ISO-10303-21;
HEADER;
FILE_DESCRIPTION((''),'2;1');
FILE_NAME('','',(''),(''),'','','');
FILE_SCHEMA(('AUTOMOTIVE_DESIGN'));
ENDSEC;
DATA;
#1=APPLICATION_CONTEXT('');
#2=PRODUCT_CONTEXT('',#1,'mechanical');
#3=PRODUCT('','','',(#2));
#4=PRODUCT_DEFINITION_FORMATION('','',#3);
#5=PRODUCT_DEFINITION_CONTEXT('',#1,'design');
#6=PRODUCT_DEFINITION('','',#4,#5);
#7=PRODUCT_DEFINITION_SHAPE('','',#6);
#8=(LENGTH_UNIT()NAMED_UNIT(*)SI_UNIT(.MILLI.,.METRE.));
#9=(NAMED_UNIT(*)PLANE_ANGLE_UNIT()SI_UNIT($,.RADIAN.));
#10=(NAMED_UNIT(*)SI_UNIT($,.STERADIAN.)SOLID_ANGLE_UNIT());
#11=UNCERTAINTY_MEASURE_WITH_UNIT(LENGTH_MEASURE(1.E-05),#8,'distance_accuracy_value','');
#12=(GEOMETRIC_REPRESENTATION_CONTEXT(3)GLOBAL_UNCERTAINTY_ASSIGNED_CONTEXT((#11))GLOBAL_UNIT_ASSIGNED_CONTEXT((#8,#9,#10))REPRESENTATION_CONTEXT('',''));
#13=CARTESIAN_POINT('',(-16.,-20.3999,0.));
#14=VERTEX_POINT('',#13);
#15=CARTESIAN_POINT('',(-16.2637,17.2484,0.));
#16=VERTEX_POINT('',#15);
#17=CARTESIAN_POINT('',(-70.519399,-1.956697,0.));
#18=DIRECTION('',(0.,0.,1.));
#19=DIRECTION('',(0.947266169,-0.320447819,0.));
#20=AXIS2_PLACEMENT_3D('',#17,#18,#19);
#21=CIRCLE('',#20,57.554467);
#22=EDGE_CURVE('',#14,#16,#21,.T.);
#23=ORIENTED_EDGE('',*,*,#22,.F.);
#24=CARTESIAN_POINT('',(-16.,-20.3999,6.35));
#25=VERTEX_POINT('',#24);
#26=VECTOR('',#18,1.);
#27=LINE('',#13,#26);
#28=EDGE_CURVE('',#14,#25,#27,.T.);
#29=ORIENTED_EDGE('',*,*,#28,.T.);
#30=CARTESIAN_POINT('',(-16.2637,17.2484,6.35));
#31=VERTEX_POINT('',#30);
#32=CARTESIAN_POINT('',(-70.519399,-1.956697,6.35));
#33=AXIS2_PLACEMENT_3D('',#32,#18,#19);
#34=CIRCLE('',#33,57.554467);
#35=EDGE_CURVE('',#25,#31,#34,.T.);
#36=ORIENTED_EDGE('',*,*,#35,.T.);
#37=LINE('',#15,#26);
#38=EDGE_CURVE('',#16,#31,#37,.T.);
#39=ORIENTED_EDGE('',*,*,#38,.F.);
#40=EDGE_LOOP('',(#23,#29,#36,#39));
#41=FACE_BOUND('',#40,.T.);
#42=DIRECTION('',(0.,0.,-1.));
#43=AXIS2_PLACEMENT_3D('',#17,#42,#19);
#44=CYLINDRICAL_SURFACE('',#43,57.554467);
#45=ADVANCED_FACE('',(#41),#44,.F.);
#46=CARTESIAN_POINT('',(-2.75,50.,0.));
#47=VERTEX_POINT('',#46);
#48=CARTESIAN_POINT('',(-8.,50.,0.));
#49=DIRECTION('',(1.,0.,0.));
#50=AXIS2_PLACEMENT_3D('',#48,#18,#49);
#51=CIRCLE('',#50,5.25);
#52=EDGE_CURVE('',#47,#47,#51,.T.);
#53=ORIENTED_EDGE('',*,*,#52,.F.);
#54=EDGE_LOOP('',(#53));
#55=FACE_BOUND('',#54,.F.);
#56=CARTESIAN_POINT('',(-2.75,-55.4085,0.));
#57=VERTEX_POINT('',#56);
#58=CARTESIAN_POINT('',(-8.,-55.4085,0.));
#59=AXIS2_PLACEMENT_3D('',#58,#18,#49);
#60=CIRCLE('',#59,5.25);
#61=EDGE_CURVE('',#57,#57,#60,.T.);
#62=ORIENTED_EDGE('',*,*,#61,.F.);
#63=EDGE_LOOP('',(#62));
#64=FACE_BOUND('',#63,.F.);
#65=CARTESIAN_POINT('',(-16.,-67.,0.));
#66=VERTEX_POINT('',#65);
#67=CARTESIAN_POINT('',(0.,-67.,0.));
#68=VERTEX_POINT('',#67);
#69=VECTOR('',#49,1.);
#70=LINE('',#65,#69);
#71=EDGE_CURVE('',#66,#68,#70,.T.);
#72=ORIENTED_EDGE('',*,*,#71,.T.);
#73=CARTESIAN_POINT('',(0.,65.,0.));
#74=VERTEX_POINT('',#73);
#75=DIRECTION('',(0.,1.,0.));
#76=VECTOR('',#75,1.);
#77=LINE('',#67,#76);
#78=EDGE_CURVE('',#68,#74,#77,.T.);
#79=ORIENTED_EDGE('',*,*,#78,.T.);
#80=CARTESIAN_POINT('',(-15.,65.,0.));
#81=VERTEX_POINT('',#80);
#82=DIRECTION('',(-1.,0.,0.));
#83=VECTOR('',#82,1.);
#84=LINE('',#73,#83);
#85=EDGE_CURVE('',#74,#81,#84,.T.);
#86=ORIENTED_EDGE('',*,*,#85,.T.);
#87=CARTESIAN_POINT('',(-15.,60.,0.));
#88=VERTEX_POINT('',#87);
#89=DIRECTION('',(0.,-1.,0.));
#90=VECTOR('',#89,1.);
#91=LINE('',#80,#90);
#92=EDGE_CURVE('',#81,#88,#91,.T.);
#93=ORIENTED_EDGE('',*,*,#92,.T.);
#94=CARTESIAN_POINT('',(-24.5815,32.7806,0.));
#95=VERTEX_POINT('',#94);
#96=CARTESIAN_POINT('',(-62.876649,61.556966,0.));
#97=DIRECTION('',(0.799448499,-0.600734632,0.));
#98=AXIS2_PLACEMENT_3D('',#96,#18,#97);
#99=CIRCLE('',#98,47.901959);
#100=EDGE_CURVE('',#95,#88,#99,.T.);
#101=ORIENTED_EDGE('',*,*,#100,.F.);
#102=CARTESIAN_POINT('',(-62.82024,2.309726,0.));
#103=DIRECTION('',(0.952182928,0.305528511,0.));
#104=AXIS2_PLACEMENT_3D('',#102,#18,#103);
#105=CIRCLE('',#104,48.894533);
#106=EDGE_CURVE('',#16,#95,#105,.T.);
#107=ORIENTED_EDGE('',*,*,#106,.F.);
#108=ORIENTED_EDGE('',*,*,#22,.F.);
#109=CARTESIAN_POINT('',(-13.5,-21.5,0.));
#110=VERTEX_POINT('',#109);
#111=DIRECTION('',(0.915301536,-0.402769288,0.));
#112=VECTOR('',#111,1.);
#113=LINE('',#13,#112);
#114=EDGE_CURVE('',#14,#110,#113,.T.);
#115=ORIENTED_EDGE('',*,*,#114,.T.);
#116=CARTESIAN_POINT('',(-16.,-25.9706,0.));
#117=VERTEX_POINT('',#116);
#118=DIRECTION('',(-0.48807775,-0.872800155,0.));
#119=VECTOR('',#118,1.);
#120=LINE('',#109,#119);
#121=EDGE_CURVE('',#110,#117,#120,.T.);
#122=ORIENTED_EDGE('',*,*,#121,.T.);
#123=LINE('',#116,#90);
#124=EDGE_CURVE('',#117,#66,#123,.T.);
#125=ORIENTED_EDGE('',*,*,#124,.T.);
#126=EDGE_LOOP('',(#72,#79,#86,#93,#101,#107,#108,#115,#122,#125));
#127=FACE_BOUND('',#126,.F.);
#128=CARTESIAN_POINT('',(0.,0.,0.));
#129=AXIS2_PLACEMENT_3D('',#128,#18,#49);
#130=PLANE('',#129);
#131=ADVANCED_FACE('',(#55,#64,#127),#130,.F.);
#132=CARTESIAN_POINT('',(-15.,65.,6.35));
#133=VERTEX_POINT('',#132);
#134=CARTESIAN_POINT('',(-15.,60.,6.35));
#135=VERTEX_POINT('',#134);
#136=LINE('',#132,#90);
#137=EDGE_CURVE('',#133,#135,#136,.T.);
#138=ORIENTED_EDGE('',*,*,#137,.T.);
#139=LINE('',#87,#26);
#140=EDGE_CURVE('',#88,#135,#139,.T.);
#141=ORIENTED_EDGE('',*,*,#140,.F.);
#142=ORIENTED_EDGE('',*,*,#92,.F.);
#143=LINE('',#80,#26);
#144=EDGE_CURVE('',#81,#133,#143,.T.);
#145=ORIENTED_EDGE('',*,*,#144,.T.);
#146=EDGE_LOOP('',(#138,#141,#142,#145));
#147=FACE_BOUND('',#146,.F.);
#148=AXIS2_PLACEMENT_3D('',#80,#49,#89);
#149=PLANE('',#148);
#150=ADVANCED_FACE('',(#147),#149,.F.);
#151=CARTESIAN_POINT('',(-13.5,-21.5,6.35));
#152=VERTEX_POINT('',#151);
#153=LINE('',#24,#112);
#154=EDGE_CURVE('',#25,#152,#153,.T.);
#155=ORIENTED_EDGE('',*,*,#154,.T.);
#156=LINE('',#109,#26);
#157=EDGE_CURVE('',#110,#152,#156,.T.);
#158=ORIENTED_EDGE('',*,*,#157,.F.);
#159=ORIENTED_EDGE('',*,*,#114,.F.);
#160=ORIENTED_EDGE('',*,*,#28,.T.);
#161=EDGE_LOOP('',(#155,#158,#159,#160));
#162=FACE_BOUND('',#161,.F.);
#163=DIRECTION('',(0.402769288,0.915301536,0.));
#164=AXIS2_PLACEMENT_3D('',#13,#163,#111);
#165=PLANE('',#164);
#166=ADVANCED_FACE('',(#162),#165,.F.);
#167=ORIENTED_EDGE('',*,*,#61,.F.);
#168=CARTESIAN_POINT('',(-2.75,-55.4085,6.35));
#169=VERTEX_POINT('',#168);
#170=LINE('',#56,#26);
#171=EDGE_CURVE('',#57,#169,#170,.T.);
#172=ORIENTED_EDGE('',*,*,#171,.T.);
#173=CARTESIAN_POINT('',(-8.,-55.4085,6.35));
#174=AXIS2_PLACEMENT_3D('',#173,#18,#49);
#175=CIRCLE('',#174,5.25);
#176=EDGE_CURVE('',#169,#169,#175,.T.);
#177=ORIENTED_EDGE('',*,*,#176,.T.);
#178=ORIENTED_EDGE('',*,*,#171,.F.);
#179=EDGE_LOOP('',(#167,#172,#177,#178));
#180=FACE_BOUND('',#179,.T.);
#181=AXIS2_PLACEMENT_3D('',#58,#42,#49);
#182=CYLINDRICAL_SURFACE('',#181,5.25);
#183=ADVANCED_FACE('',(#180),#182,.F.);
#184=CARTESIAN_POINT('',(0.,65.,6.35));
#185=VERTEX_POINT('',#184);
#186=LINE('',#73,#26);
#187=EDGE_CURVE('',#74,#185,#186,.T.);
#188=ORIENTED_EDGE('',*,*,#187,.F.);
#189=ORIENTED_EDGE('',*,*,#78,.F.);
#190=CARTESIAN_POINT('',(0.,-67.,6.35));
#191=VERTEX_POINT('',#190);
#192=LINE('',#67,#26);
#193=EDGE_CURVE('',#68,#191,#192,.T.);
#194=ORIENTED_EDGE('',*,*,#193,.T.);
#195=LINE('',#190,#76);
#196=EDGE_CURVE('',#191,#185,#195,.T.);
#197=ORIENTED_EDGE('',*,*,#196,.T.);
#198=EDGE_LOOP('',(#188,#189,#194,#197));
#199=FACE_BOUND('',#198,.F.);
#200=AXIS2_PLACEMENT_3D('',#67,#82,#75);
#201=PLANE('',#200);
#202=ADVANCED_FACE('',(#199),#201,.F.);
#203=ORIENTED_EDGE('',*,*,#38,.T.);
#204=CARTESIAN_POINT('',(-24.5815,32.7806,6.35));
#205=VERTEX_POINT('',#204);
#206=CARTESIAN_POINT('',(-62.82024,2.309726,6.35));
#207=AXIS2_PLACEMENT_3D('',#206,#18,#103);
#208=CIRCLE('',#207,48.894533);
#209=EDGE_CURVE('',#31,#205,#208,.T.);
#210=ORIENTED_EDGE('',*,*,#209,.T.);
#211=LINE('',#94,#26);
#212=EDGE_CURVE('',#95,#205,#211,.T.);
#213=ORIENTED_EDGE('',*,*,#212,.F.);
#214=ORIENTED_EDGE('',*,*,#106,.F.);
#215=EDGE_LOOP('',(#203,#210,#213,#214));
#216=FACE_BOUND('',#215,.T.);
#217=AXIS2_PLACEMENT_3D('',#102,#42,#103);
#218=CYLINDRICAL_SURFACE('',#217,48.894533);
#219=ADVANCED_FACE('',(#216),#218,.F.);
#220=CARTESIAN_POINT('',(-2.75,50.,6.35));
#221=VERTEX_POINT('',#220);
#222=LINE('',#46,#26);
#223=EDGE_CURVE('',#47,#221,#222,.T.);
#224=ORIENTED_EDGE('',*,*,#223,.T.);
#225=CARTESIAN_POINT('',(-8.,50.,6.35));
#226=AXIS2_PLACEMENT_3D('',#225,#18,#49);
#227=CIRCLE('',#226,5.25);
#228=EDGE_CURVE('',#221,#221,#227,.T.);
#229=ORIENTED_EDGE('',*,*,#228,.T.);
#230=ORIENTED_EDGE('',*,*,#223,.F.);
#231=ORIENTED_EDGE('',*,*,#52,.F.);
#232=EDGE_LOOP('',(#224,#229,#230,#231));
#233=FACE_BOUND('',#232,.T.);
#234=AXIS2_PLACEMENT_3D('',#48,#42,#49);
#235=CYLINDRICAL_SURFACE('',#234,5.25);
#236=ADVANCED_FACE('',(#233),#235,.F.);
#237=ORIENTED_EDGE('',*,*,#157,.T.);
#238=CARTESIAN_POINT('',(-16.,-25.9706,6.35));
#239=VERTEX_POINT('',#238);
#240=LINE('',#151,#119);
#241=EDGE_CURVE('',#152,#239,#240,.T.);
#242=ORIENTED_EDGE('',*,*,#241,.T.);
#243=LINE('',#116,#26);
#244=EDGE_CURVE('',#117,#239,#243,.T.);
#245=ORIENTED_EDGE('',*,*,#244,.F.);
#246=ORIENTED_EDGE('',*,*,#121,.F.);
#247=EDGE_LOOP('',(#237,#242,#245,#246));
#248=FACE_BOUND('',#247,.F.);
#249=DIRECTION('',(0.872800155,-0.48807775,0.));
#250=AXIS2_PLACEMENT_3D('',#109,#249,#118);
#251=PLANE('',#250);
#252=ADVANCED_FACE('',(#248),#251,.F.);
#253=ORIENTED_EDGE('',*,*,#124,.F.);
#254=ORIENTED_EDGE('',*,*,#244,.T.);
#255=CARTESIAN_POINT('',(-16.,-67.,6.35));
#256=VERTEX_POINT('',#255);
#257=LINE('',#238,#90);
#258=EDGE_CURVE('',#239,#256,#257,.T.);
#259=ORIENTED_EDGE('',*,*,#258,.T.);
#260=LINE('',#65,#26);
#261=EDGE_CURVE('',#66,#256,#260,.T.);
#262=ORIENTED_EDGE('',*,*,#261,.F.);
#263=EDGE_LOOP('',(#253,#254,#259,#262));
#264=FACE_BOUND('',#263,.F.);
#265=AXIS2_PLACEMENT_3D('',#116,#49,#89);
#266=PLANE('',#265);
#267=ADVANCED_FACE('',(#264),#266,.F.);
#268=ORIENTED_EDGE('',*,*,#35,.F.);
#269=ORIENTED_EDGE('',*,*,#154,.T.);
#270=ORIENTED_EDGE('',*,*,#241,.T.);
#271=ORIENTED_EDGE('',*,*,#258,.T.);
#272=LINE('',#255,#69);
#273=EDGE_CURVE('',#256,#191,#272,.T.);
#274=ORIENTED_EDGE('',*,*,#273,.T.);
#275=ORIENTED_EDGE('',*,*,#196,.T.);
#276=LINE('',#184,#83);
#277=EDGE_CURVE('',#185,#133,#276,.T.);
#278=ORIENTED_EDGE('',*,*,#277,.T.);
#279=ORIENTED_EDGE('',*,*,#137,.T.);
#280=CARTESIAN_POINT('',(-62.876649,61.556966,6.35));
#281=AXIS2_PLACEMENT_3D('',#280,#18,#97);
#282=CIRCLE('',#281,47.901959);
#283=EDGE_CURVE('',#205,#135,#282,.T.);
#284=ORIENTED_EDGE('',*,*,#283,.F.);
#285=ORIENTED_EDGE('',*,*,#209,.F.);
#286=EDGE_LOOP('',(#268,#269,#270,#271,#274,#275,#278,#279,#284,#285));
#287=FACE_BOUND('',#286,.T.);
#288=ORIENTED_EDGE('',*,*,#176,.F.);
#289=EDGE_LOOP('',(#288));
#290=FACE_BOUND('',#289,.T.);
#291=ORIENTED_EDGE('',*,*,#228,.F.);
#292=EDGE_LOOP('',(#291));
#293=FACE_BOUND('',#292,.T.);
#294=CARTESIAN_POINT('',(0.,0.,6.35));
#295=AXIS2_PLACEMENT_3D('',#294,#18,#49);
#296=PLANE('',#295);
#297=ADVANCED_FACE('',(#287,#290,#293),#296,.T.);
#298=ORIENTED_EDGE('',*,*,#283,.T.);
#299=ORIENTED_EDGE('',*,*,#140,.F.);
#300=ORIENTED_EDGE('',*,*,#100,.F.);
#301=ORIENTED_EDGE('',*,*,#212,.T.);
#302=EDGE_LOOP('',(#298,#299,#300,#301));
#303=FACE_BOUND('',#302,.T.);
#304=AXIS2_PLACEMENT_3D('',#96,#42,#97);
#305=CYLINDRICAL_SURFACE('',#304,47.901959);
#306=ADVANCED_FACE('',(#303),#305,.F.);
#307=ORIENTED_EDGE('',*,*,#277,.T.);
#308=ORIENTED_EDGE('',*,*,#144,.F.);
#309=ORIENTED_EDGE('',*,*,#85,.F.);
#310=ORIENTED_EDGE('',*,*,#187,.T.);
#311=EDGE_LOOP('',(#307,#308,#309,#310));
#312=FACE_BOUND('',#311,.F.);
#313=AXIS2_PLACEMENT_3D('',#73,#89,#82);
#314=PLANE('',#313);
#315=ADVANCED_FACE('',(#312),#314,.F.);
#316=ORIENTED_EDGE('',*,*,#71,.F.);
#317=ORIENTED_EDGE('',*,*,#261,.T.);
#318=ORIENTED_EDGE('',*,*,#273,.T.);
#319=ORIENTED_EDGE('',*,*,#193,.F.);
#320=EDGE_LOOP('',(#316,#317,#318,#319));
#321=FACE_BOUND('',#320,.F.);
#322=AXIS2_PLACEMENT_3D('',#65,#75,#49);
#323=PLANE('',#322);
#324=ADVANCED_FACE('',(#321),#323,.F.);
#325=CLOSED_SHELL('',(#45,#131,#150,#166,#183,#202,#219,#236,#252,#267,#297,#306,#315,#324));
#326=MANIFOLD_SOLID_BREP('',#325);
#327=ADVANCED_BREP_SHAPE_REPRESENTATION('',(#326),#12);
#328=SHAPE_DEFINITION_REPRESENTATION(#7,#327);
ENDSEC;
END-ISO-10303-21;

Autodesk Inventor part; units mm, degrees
ref_plane "YZ Plane" through (0, 0, 0) normal (1, 0, 0) x (0, 1, 0)
ref_plane "XZ Plane" through (0, 0, 0) normal (0, 1, 0) x (-1, 0, 0)
ref_plane "XY Plane" through (0, 0, 0) normal (0, 0, 1) x (1, 0, 0)
sketch "Sketch1" plane through (0, 0, 0) normal (0, 0, 1) x (1, 0, 0)
  arc A0 (-24.5815, 32.7806) -> (-15, 60) centre (-62.8769, 61.5571) ccw
  arc A1 (-16.2637, 17.2484) -> (-24.5815, 32.7806) centre (-62.817, 2.3111) ccw
  arc A2 (-16, -20.3999) -> (-16.2637, 17.2484) centre (-70.52, -1.9566) ccw
  line L0 (-16, -20.3999) -> (-13.5, -21.5)
  line L1 (-13.5, -21.5) -> (-16, -25.9706)
  line L2 (-16, -25.9706) -> (-16, -67)
  line L3 (-16, -67) -> (0, -67)
  line L4 (0, -67) -> (0, 65)
  line L5 (0, 65) -> (-15, 65)
  line L6 (-15, 65) -> (-15, 60)
  circle A3 centre (-8, 50) radius 5.25
  circle A4 centre (-8, -55.4085) radius 5.25
  arc A5 (-24.5815, 32.7806) -> (-15, 60) centre (-62.8769, 61.5571) ccw
  arc A6 (-16.2637, 17.2484) -> (-24.5815, 32.7806) centre (-62.817, 2.3111) ccw
  arc A7 (-16, -20.3999) -> (-16.2637, 17.2484) centre (-70.52, -1.9566) ccw
  line L7 (-16, -20.3999) -> (-13.5, -21.5)
  line L8 (-13.5, -21.5) -> (-16, -25.9706)
  line L9 (-16, -25.9706) -> (-16, -67)
  line L10 (-16, -67) -> (0, -67)
  line L11 (0, -67) -> (0, 65)
  line L12 (0, 65) -> (-15, 65)
  line L13 (-15, 65) -> (-15, 60)
  circle A8 centre (-8, 50) radius 5.25
  circle A9 centre (-8, -55.4085) radius 5.25
  point P0 (0, 0)
extrude "Extrusion1" add sketch "Sketch1" along normal blind 6.35
properties part number "1-4inch_FixedKnifeSmall_Piece1"
